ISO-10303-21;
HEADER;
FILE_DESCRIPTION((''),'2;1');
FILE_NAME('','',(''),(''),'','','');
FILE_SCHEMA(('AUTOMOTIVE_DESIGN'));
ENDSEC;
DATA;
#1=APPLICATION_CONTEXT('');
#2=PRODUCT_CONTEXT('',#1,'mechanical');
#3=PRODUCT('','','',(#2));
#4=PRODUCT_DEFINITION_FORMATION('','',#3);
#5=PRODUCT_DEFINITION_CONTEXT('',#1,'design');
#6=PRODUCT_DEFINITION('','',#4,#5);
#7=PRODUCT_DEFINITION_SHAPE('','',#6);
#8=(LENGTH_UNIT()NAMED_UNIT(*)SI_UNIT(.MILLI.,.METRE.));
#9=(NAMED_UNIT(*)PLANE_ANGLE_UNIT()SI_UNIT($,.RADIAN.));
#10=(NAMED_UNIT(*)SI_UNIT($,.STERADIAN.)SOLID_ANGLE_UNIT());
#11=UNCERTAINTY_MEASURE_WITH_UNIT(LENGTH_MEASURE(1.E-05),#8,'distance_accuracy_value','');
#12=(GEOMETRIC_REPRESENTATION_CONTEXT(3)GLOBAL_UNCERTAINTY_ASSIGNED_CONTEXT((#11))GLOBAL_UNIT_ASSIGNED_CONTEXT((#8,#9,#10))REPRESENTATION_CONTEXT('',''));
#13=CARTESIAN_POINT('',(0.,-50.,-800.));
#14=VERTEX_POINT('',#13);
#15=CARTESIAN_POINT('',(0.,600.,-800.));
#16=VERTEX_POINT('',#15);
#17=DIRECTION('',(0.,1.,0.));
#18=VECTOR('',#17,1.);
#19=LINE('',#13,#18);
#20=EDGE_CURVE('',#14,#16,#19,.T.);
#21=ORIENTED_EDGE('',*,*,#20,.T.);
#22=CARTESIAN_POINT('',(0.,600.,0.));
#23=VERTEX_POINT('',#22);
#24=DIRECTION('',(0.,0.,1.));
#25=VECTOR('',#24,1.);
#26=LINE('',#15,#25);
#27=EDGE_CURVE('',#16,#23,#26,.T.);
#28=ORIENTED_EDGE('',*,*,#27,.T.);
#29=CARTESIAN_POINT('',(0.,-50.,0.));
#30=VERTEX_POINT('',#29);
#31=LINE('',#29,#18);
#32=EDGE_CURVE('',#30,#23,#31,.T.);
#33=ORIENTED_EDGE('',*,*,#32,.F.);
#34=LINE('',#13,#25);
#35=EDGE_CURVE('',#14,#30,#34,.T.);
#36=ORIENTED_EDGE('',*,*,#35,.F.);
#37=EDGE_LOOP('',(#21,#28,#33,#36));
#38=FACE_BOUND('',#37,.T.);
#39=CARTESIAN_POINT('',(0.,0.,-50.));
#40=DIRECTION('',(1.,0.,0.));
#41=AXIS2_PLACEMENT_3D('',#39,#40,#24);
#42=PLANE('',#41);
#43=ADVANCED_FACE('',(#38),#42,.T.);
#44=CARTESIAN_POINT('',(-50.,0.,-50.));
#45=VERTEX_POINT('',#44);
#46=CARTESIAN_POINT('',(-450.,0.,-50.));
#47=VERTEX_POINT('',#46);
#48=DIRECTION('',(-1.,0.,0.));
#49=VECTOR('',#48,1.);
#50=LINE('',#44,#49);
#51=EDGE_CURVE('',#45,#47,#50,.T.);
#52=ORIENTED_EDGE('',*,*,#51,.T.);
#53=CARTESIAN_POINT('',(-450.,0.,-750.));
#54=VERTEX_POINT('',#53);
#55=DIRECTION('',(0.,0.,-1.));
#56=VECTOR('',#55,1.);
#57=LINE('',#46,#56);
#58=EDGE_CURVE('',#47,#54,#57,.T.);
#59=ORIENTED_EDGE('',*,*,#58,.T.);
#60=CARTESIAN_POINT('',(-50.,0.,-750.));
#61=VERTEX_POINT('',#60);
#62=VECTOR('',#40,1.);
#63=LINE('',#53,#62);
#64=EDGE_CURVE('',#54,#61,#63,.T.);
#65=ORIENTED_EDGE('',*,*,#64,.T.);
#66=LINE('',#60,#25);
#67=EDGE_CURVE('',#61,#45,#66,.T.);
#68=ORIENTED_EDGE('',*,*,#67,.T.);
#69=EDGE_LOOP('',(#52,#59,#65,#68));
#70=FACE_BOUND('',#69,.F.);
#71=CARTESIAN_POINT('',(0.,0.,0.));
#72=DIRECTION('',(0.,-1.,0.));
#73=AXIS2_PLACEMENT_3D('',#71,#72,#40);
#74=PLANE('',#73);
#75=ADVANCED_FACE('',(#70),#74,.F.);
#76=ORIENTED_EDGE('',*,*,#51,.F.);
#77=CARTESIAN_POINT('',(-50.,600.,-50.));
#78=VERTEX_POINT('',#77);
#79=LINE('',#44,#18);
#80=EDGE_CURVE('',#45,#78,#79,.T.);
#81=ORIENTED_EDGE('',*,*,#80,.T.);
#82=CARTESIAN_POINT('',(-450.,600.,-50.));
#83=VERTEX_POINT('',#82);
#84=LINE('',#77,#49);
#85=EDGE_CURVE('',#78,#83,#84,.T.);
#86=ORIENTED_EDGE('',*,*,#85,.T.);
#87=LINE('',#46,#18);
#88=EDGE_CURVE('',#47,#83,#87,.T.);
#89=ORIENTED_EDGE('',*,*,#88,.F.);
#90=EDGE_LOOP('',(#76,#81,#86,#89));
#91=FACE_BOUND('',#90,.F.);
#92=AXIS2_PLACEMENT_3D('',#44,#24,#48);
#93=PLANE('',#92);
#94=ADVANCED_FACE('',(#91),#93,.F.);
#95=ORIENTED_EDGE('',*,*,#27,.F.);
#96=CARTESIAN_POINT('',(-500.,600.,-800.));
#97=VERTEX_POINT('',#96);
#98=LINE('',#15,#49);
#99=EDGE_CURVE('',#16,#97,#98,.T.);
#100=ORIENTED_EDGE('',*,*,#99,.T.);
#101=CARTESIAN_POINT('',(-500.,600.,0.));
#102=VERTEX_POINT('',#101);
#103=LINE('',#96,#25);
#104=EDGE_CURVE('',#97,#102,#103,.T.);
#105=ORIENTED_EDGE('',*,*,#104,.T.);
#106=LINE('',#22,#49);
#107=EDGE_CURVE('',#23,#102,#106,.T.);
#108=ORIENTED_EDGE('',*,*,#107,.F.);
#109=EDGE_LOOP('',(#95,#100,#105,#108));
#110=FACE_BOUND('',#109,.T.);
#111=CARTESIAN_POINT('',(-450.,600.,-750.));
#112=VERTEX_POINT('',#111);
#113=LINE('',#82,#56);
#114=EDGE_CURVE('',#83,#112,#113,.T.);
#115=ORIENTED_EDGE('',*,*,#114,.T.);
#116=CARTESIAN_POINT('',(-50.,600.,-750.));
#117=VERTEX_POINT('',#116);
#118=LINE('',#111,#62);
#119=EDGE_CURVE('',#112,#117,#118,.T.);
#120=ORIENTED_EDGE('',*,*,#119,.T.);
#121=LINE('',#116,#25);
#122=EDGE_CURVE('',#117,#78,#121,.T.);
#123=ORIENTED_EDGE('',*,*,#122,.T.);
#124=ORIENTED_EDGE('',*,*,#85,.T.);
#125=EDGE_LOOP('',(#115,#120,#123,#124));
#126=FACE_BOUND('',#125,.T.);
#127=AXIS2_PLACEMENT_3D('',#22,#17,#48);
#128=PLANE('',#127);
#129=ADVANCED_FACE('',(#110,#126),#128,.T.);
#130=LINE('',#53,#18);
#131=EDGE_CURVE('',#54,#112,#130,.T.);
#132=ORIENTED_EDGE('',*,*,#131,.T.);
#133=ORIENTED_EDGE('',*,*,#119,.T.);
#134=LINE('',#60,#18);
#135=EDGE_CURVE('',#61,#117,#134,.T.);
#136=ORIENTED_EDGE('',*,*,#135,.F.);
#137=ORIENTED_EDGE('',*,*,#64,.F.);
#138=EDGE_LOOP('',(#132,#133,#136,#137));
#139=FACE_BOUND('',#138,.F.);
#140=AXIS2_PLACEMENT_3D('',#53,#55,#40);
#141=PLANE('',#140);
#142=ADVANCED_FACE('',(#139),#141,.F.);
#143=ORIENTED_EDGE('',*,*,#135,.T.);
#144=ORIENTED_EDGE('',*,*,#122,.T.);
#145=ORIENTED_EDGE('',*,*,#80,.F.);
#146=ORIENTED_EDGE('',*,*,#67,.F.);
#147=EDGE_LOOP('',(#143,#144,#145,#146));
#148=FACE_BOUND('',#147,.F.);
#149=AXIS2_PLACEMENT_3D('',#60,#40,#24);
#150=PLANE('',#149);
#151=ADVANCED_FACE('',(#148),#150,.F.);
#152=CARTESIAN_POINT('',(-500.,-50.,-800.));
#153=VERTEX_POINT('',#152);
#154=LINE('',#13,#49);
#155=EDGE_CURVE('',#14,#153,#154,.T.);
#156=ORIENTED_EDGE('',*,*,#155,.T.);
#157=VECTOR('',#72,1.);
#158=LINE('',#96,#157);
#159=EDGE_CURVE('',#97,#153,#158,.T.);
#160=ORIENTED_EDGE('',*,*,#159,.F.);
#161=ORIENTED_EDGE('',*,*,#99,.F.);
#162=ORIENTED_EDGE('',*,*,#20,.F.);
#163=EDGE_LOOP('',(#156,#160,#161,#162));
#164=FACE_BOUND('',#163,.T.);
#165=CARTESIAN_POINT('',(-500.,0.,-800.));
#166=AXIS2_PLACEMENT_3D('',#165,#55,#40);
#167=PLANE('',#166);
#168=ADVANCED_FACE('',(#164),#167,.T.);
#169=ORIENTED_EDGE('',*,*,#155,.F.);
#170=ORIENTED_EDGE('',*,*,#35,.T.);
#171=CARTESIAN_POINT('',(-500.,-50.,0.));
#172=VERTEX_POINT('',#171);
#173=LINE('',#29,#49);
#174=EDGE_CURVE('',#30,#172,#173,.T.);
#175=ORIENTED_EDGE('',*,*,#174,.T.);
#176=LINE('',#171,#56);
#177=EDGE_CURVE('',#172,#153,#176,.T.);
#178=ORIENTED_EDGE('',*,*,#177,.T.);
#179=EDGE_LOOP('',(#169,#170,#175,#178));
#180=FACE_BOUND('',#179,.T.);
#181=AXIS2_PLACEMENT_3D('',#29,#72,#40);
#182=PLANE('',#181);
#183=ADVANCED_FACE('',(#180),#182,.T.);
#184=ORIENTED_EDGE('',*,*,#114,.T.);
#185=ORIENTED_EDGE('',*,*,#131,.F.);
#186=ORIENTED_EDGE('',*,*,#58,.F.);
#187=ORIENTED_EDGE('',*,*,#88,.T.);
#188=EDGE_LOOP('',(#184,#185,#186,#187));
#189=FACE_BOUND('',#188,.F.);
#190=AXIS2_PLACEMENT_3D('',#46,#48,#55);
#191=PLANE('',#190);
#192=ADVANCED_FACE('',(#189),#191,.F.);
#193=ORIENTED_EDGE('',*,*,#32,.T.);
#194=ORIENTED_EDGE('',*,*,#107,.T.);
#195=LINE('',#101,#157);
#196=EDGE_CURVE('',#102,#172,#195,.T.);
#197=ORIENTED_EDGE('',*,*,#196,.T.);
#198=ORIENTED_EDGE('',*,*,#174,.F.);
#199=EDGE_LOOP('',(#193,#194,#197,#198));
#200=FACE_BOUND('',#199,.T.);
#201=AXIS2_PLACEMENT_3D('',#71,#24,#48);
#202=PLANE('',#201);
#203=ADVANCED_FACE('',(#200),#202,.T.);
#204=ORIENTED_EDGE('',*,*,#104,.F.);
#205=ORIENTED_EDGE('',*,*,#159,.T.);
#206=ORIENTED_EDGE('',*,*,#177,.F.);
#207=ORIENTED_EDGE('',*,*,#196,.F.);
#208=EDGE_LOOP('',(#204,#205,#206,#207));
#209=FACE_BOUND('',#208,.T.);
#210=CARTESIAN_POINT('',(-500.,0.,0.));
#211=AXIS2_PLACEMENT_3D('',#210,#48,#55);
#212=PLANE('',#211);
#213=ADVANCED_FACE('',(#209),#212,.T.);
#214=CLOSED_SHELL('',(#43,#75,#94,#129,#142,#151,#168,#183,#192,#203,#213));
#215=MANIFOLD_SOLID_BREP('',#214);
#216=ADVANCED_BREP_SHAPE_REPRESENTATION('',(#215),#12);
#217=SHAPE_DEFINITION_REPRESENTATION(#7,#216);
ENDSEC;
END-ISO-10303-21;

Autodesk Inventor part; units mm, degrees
ref_plane "YZ Plane" through (0, 0, 0) normal (1, 0, 0) x (0, 1, 0)
ref_plane "XZ Plane" through (0, 0, 0) normal (0, 1, 0) x (-1, 0, 0)
ref_plane "XY Plane" through (0, 0, 0) normal (0, 0, 1) x (1, 0, 0)
sketch "Boceto1" plane through (0, 0, 0) normal (0, 1, 0) x (-1, 0, 0)
  line L0 (0, 0) -> (500, 0)
  line L1 (500, 0) -> (500, -800)
  line L2 (500, -800) -> (0, -800)
  line L3 (0, -800) -> (0, 0)
  line L4 (0, 0) -> (50, 0)
  line L5 (0, -50) -> (0, 0)
  line L6 (500, -800) -> (450, -800)
  line L7 (500, -750) -> (500, -800)
  line L8 (50, -50) -> (450, -50)
  line L9 (450, -50) -> (450, -750)
  line L10 (450, -750) -> (50, -750)
  line L11 (50, -750) -> (50, -50)
  dimension "d0" = 800
  dimension "d1" = 500
  dimension "d2" = 50
  dimension "d3" = 50
extrude "Extrusión1" add sketch "Boceto1" along normal blind 600
sketch "Boceto2" plane through (0, 0, 0) normal (0, -1, 0) x (1, 0, 0)
  line L0 (0, -800) -> (-500, -800) projected
  line L1 (-500, -800) -> (0, -800)
  line L2 (0, -800) -> (0, 0)
  line L3 (0, 0) -> (-500, 0)
  line L4 (-500, 0) -> (-500, -800)
extrude "Extrusión2" add sketch "Boceto2" along normal blind 50
properties part number "Caja"
